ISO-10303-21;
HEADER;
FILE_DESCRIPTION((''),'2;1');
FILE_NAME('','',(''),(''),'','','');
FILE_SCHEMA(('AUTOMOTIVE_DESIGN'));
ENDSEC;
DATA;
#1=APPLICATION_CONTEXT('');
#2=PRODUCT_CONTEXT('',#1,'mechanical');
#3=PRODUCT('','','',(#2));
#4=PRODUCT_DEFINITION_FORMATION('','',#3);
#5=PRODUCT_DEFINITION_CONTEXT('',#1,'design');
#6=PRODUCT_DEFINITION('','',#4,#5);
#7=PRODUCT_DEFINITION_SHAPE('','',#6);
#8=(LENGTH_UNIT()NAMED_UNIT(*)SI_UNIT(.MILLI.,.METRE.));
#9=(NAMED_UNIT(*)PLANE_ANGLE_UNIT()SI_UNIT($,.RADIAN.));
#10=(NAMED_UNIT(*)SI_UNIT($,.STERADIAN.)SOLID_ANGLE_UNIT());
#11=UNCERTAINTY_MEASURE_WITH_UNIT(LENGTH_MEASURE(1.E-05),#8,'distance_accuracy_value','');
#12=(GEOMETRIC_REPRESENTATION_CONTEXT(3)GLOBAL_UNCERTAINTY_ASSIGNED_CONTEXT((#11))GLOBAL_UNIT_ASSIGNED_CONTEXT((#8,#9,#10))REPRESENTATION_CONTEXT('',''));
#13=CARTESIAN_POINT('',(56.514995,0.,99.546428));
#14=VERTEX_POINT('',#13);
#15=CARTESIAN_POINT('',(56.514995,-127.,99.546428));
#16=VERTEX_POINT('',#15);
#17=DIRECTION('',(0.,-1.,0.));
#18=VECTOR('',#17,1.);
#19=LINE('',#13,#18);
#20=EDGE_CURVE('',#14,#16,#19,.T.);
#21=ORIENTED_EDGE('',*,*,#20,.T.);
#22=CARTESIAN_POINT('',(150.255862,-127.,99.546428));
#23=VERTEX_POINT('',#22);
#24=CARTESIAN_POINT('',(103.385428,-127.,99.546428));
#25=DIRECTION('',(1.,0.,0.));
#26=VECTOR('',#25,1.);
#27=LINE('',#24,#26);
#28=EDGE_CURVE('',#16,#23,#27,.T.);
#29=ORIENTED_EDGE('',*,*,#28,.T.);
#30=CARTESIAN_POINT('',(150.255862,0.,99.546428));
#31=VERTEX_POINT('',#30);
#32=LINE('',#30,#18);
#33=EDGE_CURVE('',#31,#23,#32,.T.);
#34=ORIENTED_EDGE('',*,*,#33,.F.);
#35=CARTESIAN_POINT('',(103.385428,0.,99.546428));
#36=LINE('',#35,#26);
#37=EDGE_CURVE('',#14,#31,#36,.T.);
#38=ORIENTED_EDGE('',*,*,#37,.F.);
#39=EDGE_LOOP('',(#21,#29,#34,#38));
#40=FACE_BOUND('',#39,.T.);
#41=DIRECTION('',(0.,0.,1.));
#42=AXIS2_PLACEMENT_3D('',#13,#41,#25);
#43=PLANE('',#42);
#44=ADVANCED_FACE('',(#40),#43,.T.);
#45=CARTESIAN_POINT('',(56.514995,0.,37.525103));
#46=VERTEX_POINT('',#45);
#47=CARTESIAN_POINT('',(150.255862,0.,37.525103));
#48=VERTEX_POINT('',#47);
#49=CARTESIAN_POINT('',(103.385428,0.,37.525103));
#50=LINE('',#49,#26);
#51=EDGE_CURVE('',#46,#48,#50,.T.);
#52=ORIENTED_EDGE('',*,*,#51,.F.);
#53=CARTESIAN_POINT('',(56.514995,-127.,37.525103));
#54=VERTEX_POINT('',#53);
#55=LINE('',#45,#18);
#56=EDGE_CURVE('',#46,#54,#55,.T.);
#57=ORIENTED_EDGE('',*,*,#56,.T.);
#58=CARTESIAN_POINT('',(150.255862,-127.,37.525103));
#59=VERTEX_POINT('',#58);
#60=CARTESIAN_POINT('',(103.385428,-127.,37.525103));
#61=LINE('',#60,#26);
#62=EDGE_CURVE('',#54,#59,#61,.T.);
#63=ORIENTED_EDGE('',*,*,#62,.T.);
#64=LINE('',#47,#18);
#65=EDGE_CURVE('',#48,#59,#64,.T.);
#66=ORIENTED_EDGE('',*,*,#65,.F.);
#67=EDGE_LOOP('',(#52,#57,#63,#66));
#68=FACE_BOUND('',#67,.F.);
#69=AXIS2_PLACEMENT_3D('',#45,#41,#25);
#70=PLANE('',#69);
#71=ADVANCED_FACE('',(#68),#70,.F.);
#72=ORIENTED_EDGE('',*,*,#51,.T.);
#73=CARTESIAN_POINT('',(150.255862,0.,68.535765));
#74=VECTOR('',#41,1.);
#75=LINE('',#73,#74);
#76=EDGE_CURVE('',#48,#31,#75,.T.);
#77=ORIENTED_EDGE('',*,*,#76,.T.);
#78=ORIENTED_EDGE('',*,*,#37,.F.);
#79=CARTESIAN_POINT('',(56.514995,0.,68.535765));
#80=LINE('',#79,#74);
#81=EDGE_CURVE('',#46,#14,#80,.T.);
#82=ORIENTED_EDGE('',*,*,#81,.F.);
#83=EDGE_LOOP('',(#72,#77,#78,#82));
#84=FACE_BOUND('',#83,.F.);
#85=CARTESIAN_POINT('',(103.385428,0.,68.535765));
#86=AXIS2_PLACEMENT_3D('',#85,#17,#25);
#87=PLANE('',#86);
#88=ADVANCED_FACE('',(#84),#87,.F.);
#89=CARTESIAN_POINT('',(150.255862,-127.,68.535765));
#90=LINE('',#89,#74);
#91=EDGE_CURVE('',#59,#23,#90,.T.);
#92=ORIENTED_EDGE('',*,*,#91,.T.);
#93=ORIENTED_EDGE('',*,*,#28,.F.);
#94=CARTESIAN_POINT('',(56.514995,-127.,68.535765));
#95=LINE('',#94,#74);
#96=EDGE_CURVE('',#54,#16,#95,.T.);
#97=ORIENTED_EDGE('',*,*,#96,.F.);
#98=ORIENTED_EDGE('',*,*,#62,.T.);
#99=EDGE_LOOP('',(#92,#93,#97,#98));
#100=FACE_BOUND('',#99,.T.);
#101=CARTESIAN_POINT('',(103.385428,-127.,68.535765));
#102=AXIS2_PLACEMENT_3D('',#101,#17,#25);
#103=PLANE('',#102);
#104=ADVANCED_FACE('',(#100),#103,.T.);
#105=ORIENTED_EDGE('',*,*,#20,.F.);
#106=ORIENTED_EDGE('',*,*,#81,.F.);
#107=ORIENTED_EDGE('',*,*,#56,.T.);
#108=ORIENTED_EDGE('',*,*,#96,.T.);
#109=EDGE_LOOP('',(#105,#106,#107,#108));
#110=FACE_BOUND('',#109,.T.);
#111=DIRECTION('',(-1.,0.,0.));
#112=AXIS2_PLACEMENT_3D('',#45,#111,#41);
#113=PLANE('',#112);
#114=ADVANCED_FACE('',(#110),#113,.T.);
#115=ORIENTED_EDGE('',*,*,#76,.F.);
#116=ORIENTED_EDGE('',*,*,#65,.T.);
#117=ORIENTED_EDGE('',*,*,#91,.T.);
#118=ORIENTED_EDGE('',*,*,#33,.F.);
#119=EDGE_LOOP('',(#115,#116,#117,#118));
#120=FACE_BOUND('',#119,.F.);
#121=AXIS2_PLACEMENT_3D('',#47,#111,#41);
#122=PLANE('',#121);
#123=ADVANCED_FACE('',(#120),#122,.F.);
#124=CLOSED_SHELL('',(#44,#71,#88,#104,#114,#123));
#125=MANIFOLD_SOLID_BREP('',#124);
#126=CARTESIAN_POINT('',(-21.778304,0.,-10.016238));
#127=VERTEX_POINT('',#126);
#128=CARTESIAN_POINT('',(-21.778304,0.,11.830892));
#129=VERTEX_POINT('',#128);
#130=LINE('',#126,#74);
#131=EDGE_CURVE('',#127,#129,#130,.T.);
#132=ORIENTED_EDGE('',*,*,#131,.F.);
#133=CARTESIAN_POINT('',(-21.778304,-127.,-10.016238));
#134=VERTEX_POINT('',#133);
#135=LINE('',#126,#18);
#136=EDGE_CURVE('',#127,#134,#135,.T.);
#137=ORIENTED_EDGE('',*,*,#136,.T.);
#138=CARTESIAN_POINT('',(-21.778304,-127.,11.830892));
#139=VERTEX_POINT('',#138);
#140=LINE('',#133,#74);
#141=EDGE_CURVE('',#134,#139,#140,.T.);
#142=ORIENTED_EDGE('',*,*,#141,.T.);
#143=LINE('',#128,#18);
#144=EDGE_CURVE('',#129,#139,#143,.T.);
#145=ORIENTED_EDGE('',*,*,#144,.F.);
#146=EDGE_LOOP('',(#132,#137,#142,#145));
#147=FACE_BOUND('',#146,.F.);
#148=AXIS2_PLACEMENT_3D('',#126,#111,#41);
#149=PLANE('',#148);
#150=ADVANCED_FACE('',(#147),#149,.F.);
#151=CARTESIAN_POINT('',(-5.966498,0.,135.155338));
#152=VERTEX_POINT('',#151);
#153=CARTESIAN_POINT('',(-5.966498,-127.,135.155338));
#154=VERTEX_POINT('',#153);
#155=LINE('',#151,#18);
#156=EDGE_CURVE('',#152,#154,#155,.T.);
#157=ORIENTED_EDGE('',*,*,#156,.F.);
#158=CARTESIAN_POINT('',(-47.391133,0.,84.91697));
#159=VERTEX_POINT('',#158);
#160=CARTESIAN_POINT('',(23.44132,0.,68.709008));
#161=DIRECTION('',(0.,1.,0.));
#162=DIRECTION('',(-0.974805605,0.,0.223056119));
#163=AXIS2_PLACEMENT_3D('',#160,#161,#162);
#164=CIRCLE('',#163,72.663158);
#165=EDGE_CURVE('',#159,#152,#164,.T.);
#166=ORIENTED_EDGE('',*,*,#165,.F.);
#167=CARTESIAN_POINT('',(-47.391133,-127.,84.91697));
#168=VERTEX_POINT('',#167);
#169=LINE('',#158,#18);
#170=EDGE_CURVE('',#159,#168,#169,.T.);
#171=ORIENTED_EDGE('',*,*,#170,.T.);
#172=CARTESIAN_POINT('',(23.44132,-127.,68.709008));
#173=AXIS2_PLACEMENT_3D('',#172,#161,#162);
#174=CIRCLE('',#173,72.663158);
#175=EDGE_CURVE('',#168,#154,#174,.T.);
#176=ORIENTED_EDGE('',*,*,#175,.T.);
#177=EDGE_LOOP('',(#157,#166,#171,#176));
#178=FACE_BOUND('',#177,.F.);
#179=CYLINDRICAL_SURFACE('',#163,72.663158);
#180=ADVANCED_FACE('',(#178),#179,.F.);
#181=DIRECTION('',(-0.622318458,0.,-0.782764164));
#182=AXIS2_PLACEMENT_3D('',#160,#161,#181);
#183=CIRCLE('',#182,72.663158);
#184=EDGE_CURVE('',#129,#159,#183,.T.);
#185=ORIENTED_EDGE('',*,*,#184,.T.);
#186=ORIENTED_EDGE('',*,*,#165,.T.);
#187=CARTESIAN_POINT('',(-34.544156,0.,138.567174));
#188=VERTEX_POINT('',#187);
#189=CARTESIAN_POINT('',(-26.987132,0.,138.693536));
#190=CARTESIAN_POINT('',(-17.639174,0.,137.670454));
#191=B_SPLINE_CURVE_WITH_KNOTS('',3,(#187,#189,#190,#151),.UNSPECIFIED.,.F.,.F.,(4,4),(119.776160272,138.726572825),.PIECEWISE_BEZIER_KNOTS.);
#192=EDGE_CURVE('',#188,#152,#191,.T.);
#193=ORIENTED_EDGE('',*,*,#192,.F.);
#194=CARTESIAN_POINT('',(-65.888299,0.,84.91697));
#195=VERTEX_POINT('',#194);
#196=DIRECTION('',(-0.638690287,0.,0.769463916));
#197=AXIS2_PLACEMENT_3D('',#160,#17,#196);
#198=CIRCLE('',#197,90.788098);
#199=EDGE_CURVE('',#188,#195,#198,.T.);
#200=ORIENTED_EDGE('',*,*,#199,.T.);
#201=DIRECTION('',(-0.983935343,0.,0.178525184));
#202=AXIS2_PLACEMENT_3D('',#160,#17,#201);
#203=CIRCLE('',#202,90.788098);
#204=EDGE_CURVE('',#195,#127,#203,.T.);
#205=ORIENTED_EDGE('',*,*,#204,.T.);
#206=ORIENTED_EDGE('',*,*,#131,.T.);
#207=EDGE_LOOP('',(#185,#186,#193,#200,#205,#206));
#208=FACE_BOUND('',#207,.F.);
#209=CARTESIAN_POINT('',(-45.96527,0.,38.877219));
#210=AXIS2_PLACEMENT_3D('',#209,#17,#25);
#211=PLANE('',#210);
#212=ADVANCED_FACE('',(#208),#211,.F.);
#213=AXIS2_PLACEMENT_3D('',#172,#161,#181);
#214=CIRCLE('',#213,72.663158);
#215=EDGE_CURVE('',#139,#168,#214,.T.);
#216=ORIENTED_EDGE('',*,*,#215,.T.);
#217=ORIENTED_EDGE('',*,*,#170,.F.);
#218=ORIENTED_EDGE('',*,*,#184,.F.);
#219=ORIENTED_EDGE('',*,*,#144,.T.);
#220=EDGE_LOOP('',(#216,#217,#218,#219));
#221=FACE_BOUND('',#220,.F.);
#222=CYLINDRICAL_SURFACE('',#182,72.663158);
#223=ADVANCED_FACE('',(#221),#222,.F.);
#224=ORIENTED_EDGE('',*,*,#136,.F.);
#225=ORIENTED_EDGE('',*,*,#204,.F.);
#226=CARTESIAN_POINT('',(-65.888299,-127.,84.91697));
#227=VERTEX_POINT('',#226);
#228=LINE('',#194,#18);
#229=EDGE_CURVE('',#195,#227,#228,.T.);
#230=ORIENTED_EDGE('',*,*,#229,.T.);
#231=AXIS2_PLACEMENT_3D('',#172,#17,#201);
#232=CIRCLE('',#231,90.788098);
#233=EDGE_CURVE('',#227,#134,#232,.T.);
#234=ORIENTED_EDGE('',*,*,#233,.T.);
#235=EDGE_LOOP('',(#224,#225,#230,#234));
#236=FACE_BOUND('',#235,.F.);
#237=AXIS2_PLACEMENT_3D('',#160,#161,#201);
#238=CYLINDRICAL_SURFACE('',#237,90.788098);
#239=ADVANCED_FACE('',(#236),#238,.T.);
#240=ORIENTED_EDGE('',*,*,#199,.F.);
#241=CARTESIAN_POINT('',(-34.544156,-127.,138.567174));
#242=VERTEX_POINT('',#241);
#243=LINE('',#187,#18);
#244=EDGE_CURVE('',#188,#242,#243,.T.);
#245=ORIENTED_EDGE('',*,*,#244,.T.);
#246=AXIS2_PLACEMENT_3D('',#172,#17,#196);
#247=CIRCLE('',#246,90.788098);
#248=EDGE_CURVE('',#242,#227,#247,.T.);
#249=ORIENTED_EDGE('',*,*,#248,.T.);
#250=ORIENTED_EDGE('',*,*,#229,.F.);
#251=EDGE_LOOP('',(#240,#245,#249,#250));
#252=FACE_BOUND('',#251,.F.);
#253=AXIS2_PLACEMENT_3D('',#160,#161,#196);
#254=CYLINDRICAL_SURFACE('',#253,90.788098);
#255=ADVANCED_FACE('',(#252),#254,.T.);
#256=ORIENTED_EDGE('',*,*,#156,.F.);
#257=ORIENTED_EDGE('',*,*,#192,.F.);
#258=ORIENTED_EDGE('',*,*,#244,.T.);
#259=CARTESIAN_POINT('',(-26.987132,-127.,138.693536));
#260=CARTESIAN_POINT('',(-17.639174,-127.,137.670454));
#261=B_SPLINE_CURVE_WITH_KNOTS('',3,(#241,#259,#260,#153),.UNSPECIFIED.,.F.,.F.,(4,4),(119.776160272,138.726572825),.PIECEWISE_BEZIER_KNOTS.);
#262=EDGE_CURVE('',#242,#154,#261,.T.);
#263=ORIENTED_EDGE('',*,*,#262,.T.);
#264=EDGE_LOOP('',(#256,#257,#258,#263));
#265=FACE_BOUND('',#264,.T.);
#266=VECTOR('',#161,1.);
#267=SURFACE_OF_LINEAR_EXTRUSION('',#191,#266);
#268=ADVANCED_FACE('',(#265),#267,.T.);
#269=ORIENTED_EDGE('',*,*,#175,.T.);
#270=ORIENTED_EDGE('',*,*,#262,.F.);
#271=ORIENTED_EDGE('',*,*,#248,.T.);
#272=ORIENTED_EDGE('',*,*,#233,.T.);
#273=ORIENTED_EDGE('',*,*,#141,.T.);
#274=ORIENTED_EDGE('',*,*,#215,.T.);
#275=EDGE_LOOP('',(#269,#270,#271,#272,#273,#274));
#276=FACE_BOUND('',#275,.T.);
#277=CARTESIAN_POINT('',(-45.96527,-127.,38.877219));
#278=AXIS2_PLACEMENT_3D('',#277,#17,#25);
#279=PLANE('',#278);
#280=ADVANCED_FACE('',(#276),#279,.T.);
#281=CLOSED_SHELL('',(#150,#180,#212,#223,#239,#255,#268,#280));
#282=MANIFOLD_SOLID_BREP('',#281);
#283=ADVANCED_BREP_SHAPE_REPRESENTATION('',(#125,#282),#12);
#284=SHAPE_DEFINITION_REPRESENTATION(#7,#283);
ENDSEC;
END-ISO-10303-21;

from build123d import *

# Parameters (mm, degrees)
F1_DEPTH = 127
F0_W     = 93.7408668331
F0_H     = 62.0213247319


with BuildPart() as f1:
    # F0 (on Front) → F1 (new body)
    with BuildSketch(Plane.XZ):
        with BuildLine():
            Line((-47.3911331533, 84.9169699061), (-65.8882985115, 84.9169699061))
            ThreePointArc((-65.8882985115, 84.9169699061), (-58.8930784325, 30.4529547253), (-21.7783040549, -10.0162382056))
            Line((-21.7783040549, -10.0162382056), (-21.7783040549, 11.8308921718))
            ThreePointArc((-21.7783040549, 11.8308921718), (-45.1328357938, 44.6773703359), (-47.3911331533, 84.9169699061))
        make_face()
        with BuildLine():
            ThreePointArc((-34.5441564261, 138.5671736068), (-54.9488604252, 114.5070252812), (-65.8882985115, 84.9169699061))
            Line((-65.8882985115, 84.9169699061), (-47.3911331533, 84.9169699061))
            ThreePointArc((-47.3911331533, 84.9169699061), (-32.6211573158, 114.9359816035), (-5.9664975052, 135.1553376741))
            add(Edge.make_bspline(
                [(-34.5441564261, 138.5671736068), (-26.9871324388, 138.6935360437), (-17.6391740163, 137.6704537971), (-5.9664975052, 135.1553376741)],
                knots=[119.7761602721, 119.7761602721, 119.7761602721, 119.7761602721, 138.7265728245, 138.7265728245, 138.7265728245, 138.7265728245], degree=3))
        make_face()
    extrude(amount=F1_DEPTH)


with BuildPart() as f1b:
    # F0 (on Front) → F1, piece 2 (new body)
    with BuildSketch(Plane.XZ):
        with Locations((103.3854281902, 68.5357653793)):
            Rectangle(F0_W, F0_H)
    extrude(amount=F1_DEPTH)


solid = Compound([f1.part, f1b.part])
